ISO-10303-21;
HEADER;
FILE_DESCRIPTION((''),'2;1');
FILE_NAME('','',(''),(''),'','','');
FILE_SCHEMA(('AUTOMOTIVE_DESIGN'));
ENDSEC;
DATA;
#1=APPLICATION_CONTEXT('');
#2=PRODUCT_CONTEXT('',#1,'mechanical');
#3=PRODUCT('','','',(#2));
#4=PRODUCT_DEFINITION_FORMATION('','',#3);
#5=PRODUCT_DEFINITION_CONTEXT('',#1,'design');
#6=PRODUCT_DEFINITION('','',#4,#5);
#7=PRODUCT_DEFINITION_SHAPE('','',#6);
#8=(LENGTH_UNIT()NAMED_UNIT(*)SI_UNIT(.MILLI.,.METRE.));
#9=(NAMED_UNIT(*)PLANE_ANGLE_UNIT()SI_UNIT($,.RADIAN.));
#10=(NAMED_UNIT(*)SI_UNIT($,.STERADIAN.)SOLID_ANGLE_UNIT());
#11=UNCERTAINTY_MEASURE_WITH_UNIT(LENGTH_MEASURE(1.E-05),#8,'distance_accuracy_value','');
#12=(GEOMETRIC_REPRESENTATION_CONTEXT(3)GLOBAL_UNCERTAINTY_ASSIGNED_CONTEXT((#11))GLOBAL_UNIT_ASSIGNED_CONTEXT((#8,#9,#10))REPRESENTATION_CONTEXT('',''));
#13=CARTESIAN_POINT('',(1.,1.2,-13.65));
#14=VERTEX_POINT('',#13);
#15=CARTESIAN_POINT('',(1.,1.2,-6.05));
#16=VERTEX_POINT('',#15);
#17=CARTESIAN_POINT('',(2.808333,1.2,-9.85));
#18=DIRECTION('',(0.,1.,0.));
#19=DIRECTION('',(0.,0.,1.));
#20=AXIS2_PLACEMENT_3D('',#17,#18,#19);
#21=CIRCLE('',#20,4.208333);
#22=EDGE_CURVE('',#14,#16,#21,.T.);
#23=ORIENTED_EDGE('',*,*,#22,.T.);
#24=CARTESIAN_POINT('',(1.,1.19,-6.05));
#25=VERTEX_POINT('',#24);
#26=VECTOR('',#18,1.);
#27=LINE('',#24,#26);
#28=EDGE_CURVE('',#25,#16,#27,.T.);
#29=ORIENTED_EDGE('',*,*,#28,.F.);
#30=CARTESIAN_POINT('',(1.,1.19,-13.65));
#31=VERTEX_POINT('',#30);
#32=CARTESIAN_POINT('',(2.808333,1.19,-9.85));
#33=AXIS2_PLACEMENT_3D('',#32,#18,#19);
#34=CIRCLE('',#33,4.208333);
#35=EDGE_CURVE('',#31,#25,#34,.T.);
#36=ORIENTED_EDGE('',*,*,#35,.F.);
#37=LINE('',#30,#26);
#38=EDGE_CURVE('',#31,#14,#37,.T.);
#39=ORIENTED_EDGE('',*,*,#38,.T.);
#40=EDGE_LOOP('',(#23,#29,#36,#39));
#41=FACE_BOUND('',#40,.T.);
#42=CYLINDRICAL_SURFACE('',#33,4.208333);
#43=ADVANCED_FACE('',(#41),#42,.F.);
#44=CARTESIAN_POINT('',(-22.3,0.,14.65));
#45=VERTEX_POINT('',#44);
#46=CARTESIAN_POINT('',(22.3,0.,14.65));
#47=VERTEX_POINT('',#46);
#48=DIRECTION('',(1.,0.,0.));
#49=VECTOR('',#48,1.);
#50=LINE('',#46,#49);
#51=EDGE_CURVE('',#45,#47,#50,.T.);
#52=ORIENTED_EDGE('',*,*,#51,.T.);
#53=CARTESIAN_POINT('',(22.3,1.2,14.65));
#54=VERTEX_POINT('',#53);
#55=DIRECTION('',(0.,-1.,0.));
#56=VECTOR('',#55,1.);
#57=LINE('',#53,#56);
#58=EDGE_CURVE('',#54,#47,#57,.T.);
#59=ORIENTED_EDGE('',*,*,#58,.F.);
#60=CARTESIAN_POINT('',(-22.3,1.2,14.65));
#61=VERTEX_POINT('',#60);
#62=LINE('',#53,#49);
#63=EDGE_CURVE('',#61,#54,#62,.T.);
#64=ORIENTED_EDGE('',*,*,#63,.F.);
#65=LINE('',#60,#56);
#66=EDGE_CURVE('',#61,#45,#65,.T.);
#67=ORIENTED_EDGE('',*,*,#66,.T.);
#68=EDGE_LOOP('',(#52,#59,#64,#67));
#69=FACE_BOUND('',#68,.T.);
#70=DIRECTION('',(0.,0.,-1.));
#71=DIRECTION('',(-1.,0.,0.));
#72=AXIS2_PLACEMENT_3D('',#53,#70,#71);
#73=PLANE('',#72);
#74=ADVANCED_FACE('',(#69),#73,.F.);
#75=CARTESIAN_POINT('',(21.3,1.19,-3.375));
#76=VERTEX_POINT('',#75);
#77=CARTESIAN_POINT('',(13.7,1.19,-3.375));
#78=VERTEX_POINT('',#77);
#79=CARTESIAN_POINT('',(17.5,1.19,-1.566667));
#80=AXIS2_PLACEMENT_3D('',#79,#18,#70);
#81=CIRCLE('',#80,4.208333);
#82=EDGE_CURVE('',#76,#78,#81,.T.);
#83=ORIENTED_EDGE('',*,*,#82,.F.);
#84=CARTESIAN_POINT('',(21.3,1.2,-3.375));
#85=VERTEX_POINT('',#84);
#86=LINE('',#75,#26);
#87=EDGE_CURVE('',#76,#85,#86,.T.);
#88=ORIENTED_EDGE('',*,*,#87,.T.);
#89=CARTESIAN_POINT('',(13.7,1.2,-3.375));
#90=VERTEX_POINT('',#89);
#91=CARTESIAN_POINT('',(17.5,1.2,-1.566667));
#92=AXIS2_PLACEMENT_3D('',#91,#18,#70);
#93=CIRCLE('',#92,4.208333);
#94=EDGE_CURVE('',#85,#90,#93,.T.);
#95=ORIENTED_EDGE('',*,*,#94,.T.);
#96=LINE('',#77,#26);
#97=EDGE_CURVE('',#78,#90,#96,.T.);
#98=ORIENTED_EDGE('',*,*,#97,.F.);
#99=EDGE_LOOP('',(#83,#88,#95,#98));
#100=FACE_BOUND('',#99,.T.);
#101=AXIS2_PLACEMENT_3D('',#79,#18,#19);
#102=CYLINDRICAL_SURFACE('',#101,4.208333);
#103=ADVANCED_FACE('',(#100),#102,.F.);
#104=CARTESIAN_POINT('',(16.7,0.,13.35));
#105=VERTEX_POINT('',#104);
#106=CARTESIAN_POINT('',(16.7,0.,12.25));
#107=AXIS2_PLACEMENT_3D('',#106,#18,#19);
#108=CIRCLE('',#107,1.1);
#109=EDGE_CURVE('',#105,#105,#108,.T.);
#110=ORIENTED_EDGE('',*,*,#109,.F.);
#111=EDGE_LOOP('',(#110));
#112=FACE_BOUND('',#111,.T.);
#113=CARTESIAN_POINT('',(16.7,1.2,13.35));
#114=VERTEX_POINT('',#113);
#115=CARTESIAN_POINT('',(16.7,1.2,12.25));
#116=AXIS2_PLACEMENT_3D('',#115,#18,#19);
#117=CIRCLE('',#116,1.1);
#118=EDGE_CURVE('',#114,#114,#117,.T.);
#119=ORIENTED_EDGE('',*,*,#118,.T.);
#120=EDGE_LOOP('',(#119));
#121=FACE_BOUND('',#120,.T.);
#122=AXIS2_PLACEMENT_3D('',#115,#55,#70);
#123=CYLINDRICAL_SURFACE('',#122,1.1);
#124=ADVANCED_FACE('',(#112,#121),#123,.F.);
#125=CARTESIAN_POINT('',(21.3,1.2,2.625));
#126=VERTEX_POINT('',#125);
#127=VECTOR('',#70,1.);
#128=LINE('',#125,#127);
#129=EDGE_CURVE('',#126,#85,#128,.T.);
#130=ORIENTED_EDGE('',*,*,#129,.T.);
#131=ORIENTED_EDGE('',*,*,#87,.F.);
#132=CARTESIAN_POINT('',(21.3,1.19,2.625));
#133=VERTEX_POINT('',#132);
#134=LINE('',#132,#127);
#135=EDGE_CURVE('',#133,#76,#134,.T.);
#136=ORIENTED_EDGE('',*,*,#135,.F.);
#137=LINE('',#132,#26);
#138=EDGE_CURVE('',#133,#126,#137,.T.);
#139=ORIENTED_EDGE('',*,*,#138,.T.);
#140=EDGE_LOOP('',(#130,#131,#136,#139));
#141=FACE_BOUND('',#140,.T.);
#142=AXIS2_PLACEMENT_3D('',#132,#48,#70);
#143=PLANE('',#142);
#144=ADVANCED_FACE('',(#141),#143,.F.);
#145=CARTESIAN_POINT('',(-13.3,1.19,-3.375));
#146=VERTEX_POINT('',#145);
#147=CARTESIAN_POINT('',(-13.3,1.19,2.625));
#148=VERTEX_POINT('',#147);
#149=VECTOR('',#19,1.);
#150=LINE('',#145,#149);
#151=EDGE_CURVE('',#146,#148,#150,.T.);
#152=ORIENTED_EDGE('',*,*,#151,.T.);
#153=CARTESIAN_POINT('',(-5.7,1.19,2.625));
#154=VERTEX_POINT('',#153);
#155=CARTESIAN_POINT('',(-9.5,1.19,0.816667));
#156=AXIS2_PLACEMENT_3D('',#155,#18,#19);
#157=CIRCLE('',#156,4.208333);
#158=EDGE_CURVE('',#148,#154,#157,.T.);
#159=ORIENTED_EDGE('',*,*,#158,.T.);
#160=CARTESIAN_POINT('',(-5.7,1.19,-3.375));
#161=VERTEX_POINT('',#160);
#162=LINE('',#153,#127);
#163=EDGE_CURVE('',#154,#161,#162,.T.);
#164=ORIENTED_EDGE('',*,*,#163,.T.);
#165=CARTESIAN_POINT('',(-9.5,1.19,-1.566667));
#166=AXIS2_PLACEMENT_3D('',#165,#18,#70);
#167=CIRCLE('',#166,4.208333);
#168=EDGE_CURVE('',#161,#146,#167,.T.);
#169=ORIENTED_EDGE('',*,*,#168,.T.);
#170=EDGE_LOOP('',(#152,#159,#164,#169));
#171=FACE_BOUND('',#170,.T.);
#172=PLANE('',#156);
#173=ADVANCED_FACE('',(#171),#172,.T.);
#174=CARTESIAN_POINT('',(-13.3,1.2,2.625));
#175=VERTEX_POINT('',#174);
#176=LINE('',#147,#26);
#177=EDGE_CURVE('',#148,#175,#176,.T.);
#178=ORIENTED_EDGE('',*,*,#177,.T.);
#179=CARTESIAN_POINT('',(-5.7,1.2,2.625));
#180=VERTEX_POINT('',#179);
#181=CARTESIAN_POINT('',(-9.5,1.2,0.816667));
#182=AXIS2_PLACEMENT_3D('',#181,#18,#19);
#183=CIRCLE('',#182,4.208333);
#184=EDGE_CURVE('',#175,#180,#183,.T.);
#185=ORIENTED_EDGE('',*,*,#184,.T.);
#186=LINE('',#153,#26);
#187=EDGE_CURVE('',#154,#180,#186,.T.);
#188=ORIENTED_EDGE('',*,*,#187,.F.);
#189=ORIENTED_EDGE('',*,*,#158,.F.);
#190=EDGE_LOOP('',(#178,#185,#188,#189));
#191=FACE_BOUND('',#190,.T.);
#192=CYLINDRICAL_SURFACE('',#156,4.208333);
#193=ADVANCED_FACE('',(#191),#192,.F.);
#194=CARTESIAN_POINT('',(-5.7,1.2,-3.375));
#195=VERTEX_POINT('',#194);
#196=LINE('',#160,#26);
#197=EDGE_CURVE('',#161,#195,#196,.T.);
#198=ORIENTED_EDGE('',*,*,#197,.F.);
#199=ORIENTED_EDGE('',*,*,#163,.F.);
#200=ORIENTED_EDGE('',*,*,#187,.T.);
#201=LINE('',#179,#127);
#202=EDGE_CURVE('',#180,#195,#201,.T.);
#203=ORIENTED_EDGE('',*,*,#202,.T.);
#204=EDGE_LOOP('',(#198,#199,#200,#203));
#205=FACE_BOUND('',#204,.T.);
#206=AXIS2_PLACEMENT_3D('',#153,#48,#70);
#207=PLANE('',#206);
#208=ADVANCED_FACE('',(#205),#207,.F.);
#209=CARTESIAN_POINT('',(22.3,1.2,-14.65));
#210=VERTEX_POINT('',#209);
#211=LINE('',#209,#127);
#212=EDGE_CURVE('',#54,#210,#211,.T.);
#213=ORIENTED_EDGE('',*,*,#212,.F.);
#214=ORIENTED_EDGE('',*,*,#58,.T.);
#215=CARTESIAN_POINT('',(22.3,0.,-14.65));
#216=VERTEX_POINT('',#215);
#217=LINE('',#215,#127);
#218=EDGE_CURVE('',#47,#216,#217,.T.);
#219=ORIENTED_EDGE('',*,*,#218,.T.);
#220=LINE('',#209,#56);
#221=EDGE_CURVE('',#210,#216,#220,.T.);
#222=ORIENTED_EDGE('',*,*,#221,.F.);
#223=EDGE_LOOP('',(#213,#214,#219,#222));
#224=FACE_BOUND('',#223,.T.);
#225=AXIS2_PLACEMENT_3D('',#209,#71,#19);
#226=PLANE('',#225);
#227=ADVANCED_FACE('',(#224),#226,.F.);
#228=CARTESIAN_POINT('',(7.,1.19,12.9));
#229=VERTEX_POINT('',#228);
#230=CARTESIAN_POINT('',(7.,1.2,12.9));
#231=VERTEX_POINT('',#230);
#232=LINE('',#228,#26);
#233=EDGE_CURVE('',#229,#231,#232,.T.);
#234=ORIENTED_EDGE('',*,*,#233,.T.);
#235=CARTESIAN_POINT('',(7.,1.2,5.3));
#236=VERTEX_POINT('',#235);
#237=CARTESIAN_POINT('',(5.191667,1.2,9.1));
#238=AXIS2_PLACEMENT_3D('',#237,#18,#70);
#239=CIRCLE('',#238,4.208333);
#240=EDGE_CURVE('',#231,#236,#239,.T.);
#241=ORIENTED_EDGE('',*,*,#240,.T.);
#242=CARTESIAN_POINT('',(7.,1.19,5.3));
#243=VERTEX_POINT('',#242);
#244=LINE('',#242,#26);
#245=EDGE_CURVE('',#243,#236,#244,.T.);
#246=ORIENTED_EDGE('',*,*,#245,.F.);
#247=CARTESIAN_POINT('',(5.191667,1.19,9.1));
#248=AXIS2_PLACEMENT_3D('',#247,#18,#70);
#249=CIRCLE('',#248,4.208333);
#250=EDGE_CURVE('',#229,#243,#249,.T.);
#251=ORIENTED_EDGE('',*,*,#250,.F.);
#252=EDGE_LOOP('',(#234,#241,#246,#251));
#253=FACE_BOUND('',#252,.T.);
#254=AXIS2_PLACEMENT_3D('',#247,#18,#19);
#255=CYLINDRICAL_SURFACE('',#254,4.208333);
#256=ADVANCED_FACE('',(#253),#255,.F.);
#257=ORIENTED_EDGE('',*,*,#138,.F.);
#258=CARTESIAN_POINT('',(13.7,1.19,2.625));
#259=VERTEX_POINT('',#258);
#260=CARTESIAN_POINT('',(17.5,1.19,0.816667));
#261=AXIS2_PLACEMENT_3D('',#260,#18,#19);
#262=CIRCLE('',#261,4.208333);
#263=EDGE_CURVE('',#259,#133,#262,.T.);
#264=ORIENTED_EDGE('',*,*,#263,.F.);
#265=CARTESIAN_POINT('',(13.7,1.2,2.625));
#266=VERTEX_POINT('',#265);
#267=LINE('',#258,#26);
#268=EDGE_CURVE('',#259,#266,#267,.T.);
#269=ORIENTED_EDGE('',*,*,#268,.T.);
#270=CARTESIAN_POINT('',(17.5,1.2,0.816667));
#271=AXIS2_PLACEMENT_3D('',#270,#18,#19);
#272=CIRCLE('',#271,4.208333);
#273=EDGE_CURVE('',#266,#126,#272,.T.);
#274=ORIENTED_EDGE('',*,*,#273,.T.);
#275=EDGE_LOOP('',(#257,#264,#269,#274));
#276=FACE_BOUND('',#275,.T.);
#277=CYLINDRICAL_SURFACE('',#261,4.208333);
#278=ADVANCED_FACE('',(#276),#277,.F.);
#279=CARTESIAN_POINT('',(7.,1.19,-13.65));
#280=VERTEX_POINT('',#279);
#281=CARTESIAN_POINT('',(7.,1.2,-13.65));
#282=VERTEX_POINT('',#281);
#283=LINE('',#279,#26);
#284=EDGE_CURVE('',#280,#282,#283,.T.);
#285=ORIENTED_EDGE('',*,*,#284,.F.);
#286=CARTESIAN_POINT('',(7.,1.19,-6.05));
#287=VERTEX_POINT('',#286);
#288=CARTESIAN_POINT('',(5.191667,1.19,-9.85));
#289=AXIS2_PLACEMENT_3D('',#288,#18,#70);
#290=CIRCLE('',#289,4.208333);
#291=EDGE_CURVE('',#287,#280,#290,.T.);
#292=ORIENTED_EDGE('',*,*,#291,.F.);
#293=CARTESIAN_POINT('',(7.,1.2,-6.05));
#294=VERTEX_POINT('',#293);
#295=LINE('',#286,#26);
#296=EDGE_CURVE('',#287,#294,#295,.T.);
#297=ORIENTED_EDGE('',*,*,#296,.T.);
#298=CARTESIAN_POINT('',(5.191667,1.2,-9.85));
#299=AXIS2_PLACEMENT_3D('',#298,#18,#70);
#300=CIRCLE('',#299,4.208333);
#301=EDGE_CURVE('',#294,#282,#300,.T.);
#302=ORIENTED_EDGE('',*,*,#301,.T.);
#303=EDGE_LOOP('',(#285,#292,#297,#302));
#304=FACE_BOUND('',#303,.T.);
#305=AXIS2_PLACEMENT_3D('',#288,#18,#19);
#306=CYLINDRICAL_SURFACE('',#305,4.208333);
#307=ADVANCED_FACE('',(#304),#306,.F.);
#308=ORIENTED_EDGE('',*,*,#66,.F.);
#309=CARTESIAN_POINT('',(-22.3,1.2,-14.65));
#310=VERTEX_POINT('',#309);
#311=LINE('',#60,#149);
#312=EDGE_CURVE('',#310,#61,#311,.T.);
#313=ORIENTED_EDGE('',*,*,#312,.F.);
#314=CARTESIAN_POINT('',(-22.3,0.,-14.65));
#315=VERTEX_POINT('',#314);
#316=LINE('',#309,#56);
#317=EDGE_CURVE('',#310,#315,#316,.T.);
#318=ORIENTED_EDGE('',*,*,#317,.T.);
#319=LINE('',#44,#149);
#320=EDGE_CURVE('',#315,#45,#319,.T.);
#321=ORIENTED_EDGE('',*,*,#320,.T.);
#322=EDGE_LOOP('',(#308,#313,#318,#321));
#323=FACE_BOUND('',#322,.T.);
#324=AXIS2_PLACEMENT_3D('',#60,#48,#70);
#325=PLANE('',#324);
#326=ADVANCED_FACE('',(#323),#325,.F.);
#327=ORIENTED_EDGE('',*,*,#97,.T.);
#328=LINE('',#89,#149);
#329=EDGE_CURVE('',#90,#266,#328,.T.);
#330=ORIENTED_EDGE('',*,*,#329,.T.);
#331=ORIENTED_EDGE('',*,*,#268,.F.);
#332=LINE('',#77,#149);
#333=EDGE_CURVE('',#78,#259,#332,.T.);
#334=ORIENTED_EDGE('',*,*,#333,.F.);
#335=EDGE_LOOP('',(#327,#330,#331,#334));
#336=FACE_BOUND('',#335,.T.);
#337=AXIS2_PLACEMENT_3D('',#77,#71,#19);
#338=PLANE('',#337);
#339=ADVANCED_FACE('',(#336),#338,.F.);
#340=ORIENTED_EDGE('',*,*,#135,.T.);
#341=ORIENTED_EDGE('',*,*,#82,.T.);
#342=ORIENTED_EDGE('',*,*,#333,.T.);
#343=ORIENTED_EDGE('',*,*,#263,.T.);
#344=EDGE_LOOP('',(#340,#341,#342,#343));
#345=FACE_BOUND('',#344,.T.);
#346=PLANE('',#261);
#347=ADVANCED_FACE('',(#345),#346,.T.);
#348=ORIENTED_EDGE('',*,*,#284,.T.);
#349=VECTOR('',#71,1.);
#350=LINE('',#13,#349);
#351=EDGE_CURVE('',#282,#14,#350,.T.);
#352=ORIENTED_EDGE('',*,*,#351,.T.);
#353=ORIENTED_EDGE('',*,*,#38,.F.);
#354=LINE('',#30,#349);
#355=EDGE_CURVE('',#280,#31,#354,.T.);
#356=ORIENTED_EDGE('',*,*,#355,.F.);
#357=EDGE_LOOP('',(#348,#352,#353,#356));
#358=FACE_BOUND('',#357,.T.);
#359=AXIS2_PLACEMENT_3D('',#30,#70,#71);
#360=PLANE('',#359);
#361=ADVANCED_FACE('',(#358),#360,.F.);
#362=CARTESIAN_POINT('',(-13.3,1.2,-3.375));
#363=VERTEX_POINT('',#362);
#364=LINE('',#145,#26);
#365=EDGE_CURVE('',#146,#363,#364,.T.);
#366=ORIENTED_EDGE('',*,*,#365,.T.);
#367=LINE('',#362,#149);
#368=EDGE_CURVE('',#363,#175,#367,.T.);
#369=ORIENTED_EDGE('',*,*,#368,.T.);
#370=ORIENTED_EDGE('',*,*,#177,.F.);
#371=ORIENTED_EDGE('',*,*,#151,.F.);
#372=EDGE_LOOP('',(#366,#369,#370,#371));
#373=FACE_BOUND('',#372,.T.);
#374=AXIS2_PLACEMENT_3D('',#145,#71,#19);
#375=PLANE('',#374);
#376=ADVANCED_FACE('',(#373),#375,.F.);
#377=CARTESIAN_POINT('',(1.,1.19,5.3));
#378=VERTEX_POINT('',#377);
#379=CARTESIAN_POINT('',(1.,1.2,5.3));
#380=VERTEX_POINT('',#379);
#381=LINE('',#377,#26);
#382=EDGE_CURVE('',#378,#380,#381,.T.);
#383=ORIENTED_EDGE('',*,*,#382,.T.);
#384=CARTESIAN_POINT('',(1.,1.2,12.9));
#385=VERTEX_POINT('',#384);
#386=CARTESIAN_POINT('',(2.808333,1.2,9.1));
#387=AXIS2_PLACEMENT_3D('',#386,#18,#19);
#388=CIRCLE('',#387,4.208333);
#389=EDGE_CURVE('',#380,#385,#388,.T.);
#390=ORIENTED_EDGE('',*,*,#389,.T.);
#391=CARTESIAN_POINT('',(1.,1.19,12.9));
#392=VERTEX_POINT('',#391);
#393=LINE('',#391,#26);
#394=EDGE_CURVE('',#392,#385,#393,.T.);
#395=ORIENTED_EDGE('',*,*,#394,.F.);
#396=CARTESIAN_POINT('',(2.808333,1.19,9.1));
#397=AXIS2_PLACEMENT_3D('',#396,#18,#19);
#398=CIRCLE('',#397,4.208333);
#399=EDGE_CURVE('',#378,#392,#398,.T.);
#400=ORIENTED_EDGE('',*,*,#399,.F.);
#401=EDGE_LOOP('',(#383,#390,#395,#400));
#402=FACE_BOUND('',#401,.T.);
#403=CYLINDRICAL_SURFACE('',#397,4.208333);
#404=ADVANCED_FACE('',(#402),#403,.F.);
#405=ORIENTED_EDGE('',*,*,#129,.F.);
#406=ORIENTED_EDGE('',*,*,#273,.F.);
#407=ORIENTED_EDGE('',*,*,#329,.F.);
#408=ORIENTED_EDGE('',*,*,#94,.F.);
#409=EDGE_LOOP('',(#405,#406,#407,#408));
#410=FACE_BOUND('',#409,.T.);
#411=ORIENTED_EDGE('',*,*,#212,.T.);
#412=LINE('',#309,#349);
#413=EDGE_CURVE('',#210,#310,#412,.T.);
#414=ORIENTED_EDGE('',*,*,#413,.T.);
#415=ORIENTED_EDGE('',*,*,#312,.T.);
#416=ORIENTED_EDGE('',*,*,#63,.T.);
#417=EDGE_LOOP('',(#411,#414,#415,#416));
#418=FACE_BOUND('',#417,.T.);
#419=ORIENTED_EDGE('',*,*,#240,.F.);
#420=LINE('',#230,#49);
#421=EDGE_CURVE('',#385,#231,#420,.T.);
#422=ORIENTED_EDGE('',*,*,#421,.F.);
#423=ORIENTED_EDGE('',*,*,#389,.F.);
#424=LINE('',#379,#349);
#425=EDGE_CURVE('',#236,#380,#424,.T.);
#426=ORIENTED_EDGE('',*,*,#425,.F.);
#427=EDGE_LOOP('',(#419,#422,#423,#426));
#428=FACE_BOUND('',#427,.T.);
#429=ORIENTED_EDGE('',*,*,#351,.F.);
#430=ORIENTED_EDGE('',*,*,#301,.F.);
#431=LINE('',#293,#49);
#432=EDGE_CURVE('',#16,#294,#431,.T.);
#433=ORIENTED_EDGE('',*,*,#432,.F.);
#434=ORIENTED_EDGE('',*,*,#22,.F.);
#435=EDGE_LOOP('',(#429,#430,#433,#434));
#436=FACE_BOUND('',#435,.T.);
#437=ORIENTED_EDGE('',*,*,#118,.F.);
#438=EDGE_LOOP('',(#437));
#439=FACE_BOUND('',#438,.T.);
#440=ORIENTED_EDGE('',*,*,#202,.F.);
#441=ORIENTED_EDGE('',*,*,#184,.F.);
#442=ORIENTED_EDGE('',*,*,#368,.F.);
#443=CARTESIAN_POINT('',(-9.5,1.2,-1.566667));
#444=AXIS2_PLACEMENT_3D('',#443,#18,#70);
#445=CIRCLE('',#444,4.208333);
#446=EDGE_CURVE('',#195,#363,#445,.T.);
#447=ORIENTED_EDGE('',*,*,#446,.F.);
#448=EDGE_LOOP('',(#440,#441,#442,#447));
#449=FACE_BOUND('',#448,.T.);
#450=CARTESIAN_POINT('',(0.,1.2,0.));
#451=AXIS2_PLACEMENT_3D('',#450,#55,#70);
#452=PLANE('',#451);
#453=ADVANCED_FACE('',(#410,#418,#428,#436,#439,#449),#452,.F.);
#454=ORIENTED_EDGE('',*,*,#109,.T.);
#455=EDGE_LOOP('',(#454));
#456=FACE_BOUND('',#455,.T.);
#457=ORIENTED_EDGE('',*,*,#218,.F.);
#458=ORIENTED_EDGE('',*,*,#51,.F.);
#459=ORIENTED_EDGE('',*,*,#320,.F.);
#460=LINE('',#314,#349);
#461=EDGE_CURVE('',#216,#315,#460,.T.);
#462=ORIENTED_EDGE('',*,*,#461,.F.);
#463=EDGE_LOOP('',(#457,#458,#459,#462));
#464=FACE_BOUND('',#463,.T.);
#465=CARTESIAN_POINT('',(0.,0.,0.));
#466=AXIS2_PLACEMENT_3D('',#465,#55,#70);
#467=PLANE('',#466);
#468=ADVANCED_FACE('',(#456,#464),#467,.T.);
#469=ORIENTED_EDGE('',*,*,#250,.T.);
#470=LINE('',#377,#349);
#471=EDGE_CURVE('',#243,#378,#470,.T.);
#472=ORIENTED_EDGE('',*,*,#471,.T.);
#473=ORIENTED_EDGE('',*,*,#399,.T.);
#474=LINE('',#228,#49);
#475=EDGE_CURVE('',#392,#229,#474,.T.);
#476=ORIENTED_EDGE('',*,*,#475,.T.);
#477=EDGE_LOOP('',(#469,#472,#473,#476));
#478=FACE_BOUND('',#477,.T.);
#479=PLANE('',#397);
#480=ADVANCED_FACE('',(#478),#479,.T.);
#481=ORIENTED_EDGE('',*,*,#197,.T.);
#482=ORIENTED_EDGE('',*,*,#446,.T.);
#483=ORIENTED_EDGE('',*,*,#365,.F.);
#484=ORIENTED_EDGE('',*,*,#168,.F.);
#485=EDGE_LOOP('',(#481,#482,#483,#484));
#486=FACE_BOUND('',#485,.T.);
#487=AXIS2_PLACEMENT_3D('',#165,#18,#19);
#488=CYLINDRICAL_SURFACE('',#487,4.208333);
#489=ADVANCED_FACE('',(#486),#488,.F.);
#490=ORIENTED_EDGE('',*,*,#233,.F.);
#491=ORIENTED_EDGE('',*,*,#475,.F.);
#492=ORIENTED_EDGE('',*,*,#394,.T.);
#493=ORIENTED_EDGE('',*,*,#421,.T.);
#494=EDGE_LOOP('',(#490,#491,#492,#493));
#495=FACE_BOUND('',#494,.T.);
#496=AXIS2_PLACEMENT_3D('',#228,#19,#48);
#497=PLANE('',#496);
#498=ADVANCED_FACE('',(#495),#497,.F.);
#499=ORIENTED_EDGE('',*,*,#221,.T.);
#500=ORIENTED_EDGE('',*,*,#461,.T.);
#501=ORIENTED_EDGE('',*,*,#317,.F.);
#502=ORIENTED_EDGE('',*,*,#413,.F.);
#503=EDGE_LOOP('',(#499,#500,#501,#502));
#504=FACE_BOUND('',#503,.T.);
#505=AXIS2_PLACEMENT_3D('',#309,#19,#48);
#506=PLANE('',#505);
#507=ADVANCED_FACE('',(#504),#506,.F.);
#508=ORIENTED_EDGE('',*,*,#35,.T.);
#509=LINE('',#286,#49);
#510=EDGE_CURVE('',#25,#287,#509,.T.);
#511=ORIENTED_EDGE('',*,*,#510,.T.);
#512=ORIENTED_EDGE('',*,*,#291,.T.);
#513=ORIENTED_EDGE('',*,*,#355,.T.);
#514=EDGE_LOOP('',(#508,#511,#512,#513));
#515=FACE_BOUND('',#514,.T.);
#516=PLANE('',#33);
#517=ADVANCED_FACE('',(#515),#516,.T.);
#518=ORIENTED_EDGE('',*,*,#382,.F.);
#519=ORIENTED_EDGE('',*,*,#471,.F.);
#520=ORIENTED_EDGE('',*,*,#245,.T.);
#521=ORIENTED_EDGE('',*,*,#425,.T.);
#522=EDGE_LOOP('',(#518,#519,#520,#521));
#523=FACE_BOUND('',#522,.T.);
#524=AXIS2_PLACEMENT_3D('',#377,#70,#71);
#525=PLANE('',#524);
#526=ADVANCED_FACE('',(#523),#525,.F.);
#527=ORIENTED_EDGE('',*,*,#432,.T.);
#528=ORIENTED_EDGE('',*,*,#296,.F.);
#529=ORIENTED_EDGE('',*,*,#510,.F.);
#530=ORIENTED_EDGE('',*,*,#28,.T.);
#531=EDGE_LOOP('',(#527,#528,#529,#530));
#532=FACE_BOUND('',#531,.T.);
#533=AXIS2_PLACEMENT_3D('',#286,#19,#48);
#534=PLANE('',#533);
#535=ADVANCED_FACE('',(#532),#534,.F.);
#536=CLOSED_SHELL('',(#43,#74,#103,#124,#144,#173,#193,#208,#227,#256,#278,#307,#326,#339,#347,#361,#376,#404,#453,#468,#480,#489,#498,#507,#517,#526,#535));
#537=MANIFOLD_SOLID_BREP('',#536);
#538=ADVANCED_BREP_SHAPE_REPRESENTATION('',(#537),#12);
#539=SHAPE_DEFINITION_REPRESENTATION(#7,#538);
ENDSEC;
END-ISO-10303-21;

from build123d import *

# Parameters (mm, degrees)
ESQUISSE1_W             = 44.6
ESQUISSE1_H             = 29.3
ESQUISSE1_R             = 1.1
BOSS_EXTRU_2_DEPTH      = 1.2
ENL_V_MAT_EXTRU_1_DEPTH = 0.01


with BuildPart() as part:
    # Esquisse1 → Boss.-Extru.2 (new body)
    with BuildSketch(Plane(origin=(0, 0, 0), x_dir=(1, 0, 0), z_dir=(0, 1, 0))):
        Rectangle(ESQUISSE1_W, ESQUISSE1_H)
        with Locations(Location((16.7, -12.25, 0), (0, 0, 270))):
            Circle(ESQUISSE1_R, mode=Mode.SUBTRACT)
    extrude(amount=BOSS_EXTRU_2_DEPTH)

    # Esquisse7 → Enlèv. mat.-Extru.1 (cut)
    with BuildSketch(Plane(origin=(0, 1.2, 0), x_dir=(1, 0, 0), z_dir=(0, 1, 0))):
        with BuildLine():
            Line((1, 13.65), (7, 13.65))
            ThreePointArc((7, 13.65), (9.4, 9.85), (7, 6.05))
            Line((7, 6.05), (1, 6.05))
            ThreePointArc((1, 6.05), (-1.4, 9.85), (1, 13.65))
        make_face()
        with BuildLine():
            Line((1, -5.3), (7, -5.3))
            ThreePointArc((7, -5.3), (9.4, -9.1), (7, -12.9))
            Line((7, -12.9), (1, -12.9))
            ThreePointArc((1, -12.9), (-1.4, -9.1), (1, -5.3))
        make_face()
        with BuildLine():
            Line((-13.3, 3.375), (-13.3, -2.625))
            ThreePointArc((-13.3, -2.625), (-9.5, -5.025), (-5.7, -2.625))
            Line((-5.7, -2.625), (-5.7, 3.375))
            ThreePointArc((-5.7, 3.375), (-9.5, 5.775), (-13.3, 3.375))
        make_face()
        with BuildLine():
            Line((13.7, 3.375), (13.7, -2.625))
            ThreePointArc((13.7, -2.625), (17.5, -5.025), (21.3, -2.625))
            Line((21.3, -2.625), (21.3, 3.375))
            ThreePointArc((21.3, 3.375), (17.5, 5.775), (13.7, 3.375))
        make_face()
    extrude(amount=-ENL_V_MAT_EXTRU_1_DEPTH, mode=Mode.SUBTRACT)


solid = part.part
